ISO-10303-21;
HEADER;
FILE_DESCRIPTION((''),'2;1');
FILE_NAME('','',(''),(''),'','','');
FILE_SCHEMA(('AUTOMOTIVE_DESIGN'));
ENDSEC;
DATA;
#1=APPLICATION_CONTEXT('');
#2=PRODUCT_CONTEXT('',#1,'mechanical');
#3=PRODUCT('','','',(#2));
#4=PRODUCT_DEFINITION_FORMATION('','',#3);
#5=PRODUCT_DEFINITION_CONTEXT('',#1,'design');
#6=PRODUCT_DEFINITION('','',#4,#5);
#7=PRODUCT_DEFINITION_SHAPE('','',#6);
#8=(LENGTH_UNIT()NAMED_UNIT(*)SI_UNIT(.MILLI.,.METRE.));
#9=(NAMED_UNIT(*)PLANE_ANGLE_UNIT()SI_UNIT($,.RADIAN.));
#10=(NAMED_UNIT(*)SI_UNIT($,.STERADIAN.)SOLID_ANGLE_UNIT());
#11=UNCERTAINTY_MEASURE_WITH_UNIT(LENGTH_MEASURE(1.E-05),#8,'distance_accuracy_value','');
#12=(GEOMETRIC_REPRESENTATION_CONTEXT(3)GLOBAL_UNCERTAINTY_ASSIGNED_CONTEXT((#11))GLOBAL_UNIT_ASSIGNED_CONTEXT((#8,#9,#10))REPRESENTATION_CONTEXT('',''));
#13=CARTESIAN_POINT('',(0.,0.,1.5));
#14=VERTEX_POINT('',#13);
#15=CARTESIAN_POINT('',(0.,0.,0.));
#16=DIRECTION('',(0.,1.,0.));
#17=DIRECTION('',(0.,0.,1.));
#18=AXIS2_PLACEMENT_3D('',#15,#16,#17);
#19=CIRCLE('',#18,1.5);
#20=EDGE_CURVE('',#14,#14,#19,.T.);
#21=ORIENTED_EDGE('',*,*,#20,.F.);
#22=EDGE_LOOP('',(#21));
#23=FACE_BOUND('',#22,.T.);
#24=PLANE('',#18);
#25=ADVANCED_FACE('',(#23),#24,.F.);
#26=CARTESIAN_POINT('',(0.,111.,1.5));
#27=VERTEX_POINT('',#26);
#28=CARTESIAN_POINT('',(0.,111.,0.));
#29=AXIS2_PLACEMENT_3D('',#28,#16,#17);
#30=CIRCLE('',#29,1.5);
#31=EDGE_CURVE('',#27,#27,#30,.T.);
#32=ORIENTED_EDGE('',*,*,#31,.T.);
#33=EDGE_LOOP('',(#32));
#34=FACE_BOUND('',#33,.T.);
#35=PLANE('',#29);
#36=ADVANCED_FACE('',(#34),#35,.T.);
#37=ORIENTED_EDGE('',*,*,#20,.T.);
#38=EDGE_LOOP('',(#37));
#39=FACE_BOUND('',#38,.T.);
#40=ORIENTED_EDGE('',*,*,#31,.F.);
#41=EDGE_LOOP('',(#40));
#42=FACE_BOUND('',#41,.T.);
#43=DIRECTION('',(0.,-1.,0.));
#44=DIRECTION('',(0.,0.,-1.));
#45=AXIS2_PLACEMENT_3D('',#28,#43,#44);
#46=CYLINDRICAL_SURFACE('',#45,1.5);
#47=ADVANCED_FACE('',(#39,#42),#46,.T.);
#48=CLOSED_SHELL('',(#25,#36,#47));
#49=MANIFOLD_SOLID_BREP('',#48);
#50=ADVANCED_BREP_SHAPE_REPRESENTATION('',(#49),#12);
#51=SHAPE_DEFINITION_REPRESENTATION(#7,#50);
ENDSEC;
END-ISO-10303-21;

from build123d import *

# Parameters (mm, degrees)
ESQUISSE1_R        = 1.5
BOSS_EXTRU_1_DEPTH = 111


with BuildPart() as part:
    # Esquisse1 → Boss.-Extru.1 (new body)
    with BuildSketch(Plane(origin=(0, 0, 0), x_dir=(1, 0, 0), z_dir=(0, 1, 0))):
        Circle(ESQUISSE1_R)
    extrude(amount=BOSS_EXTRU_1_DEPTH)


solid = part.part
